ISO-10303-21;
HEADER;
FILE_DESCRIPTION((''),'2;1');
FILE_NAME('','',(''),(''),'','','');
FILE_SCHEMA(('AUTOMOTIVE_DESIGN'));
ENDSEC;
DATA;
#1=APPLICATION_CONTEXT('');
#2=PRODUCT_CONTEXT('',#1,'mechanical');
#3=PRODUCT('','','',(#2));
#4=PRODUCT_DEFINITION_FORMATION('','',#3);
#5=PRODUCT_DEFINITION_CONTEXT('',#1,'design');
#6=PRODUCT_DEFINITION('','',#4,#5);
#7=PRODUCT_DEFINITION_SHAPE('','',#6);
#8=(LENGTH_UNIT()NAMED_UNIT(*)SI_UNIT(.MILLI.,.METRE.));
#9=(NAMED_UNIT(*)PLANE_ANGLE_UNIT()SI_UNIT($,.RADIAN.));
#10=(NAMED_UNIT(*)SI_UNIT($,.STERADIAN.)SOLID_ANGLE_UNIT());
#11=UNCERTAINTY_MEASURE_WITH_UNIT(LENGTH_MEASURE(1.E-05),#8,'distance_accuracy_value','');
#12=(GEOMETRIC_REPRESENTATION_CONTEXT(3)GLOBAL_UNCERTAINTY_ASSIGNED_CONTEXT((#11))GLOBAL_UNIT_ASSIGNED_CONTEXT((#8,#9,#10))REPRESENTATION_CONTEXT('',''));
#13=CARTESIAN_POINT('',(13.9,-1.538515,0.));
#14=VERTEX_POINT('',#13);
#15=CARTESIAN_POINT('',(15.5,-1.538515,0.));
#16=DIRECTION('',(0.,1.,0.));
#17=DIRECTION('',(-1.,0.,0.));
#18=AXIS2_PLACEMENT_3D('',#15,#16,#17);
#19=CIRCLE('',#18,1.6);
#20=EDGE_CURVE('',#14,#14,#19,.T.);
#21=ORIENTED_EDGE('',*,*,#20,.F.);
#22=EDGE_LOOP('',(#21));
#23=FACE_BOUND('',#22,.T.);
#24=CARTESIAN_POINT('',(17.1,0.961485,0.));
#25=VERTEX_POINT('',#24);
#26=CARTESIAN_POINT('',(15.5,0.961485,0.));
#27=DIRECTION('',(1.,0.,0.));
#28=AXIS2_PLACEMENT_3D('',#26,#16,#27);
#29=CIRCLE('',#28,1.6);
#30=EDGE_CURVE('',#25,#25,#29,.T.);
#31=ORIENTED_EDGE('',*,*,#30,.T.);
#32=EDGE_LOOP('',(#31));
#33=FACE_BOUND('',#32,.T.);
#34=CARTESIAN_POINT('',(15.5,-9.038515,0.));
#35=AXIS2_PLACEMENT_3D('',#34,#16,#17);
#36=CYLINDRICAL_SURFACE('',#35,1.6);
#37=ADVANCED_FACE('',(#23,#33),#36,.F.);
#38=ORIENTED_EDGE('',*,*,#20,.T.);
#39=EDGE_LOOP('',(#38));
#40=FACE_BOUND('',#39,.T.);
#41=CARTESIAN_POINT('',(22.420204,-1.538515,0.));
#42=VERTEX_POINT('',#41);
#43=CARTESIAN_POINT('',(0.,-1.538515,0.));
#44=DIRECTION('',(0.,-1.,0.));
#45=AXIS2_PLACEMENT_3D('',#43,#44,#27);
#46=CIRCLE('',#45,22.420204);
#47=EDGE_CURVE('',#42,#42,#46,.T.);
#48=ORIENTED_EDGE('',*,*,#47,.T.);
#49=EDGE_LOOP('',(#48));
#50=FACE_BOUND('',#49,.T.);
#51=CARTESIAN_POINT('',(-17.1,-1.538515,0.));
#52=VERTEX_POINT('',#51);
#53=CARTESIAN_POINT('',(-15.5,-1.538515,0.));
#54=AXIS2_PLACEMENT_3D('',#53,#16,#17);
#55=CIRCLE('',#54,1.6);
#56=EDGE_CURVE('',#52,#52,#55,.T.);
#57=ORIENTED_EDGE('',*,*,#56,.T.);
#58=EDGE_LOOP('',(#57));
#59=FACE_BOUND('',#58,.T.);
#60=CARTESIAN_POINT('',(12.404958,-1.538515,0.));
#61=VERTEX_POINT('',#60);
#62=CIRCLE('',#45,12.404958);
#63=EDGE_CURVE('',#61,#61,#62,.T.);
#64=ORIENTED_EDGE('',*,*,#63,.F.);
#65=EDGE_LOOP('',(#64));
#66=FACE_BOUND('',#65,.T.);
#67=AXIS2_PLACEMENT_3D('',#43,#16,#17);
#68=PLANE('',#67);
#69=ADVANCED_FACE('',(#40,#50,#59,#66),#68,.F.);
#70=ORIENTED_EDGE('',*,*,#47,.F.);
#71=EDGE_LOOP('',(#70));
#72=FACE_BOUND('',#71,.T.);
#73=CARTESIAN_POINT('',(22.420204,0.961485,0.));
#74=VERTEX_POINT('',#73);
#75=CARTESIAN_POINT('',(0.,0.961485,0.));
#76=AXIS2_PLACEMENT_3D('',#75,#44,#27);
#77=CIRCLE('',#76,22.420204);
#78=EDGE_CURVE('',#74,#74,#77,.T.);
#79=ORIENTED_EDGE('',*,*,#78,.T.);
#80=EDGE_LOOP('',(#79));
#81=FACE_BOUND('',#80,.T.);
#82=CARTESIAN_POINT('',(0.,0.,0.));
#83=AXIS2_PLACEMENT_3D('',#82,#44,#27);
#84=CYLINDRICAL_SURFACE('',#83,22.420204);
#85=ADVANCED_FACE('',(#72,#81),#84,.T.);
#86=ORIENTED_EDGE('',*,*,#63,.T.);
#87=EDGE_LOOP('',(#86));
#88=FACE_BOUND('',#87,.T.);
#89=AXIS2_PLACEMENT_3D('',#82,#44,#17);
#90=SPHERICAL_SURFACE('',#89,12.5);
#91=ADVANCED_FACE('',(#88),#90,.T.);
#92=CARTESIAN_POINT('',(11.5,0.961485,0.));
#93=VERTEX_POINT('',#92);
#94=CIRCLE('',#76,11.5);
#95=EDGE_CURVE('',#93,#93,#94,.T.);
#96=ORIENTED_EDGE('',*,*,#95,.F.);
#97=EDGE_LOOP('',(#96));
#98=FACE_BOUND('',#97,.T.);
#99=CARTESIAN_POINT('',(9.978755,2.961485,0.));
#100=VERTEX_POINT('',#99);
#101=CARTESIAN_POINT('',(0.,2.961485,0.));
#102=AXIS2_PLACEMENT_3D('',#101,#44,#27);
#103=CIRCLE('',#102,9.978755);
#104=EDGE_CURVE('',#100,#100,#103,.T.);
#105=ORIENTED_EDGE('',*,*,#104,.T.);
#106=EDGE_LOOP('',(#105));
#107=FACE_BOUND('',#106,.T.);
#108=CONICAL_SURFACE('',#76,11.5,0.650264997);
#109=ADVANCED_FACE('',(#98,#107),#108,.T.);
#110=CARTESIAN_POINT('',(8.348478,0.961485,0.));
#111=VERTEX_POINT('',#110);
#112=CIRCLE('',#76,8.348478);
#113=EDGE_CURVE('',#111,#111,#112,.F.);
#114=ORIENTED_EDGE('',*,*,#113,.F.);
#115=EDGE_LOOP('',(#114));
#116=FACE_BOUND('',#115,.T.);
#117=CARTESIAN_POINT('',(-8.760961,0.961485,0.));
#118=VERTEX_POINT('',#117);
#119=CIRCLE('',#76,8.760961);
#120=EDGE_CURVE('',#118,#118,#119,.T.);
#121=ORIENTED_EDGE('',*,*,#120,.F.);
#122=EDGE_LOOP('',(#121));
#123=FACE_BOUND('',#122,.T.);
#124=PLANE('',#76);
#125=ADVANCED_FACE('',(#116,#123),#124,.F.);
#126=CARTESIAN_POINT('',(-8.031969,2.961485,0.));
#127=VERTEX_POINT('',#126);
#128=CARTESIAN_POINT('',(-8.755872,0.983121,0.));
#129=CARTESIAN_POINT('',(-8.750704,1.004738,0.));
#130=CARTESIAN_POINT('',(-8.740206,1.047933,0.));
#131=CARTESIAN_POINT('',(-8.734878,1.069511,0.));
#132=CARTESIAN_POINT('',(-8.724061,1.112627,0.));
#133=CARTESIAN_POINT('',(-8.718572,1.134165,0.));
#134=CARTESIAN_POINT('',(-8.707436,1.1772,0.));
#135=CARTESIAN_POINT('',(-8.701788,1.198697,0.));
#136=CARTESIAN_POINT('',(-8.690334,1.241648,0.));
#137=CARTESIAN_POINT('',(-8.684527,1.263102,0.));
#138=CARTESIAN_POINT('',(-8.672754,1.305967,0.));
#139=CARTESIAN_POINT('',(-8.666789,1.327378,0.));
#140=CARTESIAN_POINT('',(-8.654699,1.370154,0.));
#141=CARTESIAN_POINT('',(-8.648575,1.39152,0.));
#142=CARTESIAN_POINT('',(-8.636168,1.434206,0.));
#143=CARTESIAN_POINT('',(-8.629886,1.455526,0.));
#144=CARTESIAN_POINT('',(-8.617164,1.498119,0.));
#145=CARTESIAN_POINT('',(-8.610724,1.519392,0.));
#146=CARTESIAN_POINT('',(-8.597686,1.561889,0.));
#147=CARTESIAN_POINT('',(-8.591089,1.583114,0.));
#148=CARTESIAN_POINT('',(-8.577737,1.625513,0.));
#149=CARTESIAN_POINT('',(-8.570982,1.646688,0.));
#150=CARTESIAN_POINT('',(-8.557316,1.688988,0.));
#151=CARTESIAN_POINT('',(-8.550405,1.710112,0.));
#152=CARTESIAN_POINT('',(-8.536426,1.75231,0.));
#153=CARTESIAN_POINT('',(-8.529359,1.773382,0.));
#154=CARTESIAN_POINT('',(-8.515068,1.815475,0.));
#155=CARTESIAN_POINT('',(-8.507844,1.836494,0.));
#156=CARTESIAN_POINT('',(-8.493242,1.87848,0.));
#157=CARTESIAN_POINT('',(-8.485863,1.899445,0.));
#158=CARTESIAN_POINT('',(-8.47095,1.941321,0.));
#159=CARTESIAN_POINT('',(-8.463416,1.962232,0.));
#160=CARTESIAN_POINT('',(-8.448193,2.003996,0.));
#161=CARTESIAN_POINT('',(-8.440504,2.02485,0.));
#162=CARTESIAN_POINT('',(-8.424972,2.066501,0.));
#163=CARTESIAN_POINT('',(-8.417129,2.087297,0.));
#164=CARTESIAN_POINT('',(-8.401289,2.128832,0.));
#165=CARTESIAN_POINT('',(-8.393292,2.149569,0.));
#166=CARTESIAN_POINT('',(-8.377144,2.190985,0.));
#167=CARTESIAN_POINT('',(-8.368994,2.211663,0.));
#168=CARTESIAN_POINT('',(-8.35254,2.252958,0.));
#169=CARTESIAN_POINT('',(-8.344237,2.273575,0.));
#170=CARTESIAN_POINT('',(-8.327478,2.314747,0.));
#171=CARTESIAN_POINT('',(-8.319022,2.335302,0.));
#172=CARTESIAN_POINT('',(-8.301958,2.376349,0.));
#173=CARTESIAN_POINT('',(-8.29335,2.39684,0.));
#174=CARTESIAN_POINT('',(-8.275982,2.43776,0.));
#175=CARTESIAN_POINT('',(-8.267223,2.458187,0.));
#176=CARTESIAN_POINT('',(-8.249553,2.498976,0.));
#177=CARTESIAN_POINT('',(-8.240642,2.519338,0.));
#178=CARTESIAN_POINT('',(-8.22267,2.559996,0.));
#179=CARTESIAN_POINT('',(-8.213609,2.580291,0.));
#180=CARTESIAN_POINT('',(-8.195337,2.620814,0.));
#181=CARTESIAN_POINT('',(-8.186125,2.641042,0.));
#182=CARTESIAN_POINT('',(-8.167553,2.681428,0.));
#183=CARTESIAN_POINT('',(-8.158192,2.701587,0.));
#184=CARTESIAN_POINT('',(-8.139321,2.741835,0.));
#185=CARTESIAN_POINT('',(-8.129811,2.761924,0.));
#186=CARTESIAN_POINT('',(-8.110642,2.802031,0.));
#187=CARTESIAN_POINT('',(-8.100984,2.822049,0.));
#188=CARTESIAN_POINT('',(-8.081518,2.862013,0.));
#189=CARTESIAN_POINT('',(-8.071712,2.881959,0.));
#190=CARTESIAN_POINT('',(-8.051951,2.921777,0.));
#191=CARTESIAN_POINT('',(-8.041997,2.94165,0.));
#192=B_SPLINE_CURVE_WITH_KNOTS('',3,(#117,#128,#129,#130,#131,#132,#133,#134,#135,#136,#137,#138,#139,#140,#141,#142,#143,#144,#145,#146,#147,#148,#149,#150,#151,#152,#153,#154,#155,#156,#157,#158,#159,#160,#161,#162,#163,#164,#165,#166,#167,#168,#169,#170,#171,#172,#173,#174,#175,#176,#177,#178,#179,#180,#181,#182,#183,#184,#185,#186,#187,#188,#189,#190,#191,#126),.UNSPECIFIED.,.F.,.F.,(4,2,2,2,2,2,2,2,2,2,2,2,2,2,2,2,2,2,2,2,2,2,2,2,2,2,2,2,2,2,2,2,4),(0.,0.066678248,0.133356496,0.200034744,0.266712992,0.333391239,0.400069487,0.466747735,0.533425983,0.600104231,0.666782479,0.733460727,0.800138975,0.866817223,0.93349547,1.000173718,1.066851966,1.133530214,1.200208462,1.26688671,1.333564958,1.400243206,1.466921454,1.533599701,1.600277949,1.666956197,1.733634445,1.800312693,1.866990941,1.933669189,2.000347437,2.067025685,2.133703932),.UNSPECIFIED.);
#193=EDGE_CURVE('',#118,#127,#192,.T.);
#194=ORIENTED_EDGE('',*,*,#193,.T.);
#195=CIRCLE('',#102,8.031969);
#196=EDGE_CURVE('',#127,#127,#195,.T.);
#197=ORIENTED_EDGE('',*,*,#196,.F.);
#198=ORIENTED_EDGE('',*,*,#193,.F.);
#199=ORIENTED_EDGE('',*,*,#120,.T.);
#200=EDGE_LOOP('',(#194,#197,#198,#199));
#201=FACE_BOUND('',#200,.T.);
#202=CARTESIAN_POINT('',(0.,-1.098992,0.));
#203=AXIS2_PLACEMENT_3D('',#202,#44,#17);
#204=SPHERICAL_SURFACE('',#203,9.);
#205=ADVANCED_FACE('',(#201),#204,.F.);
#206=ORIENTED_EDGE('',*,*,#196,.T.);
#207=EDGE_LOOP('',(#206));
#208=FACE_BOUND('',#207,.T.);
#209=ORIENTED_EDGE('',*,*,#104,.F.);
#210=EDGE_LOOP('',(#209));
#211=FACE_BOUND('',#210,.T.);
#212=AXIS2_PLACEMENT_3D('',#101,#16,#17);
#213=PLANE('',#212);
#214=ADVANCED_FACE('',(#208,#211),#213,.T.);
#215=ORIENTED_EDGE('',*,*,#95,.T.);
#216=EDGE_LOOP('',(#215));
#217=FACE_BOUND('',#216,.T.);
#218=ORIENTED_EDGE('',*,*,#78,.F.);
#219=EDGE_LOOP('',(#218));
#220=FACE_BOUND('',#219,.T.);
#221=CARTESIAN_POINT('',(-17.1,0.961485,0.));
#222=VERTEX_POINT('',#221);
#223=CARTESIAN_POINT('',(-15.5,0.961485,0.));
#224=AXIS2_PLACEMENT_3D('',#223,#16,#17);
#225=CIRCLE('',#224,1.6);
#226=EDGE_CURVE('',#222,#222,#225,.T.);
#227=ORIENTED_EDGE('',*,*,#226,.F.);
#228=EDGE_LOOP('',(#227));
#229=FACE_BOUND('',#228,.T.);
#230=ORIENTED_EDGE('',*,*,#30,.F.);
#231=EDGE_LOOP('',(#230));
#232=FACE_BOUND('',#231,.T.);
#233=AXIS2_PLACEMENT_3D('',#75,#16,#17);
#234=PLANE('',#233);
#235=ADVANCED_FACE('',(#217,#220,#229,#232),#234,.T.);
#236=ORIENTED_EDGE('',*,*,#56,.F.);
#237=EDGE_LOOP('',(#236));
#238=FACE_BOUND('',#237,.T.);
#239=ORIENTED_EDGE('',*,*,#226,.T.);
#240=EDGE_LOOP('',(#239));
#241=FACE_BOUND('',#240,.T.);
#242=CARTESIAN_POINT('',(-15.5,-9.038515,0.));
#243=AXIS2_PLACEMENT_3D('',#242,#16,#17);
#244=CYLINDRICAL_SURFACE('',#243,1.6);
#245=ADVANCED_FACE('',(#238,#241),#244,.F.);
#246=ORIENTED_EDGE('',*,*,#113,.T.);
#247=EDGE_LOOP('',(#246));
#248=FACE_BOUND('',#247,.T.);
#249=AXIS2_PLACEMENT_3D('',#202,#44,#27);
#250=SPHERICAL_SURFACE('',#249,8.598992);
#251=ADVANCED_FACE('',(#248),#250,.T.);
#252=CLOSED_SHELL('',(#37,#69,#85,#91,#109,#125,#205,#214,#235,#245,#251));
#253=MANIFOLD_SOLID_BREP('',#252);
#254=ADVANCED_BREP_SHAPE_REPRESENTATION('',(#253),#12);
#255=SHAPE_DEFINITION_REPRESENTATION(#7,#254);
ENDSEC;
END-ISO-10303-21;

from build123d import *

# Parameters (mm, degrees)
SKETCH_2_R          = 1.6
CUT_EXTRUDE_1_DEPTH = 10


with BuildPart() as part:
    # 草图1 → 旋转5 (revolve)
    with BuildSketch(Plane.XY):
        with BuildLine():
            Line((-11.5, 0.961485209), (-22.420203846, 0.961485209))
            Line((-22.420203846, 0.961485209), (-22.420203846, -1.538514791))
            Line((-22.420203846, -1.538514791), (-12.404957567, -1.538514791))
            ThreePointArc((-12.404957567, -1.538514791), (-8.277033439, -9.367001518), (0, -12.5))
            Line((0, -12.5), (0, 0.961485209))
            Line((0, 0.961485209), (-8.348478365, 0.961485209))
            Line((-8.348478365, 0.961485209), (-8.760960883, 0.961485209))
            ThreePointArc((-8.760960883, 0.961485209), (-8.455804212, 1.983114098), (-8.031969161, 2.961485209))
            Line((-8.031969161, 2.961485209), (-9.978754751, 2.961485209))
            Line((-9.978754751, 2.961485209), (-11.5, 0.961485209))
        make_face()
    revolve(axis=Axis((0, 0, 0), (0, 1, 0)))

    # 草图1<6> → 旋转8 (revolve)
    with BuildSketch(Plane.XY):
        with BuildLine():
            Line((0, 7.5), (0, 0.961485209))
            Line((0, 0.961485209), (8.348478365, 0.961485209))
            ThreePointArc((8.348478365, 0.961485209), (5.302104928, 5.670819301), (0, 7.5))
        make_face()
    revolve(axis=Axis((0, 0, 0), (0, 1, 0)))

    # 草图2 → 切除-拉伸1 (cut)
    with BuildSketch(Plane(origin=(0, 0.961485209, 0), x_dir=(1, 0, 0), z_dir=(0, 1, 0))):
        with Locations((-15.5, 0)):
            Circle(SKETCH_2_R)
        with Locations((15.5, 0)):
            Circle(SKETCH_2_R)
    extrude(amount=-CUT_EXTRUDE_1_DEPTH, mode=Mode.SUBTRACT)


solid = part.part
